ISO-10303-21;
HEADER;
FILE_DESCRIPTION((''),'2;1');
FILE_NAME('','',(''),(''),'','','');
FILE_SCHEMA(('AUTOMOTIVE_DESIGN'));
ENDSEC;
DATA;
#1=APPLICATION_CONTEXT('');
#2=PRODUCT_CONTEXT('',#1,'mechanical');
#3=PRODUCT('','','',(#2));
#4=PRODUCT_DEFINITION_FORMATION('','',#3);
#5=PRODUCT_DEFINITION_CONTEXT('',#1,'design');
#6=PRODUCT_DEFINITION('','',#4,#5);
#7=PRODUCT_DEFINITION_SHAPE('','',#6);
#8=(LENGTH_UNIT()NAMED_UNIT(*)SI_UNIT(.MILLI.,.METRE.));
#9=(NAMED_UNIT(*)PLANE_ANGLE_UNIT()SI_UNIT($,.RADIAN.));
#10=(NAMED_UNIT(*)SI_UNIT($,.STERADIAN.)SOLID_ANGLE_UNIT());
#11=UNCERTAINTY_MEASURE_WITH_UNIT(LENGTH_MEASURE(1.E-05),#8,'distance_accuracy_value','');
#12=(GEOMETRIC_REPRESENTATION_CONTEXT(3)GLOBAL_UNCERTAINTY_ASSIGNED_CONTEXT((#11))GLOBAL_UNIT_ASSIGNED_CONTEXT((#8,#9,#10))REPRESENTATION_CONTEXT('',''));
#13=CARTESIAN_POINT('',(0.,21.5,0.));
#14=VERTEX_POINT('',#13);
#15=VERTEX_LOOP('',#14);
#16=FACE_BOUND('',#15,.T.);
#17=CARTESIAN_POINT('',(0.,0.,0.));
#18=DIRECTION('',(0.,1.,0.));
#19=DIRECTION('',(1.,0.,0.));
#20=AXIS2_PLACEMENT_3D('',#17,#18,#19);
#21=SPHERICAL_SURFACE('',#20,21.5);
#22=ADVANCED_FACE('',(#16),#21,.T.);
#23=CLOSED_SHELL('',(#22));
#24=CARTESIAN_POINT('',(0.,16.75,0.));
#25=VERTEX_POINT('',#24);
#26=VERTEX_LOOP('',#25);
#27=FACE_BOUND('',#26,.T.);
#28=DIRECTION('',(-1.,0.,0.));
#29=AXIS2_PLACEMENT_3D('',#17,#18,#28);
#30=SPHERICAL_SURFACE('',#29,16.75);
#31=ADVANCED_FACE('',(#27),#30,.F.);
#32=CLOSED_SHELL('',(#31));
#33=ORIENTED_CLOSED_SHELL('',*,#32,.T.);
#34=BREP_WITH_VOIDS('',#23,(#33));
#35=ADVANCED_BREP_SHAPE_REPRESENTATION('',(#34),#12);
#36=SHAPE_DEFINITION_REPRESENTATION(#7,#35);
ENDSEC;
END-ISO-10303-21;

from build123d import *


with BuildPart() as part:
    # Sketch1 → Revolve1 (revolve)
    with BuildSketch(Plane.XY):
        with BuildLine():
            Line((0, 21.5), (0, 16.75))
            ThreePointArc((0, 16.75), (-16.75, 0), (0, -16.75))
            Line((0, -16.75), (0, -21.5))
            ThreePointArc((0, -21.5), (-21.5, 0), (0, 21.5))
        make_face()
    revolve(axis=Axis((0, 105.084210526, 0), (0, -1, 0)))


solid = part.part
